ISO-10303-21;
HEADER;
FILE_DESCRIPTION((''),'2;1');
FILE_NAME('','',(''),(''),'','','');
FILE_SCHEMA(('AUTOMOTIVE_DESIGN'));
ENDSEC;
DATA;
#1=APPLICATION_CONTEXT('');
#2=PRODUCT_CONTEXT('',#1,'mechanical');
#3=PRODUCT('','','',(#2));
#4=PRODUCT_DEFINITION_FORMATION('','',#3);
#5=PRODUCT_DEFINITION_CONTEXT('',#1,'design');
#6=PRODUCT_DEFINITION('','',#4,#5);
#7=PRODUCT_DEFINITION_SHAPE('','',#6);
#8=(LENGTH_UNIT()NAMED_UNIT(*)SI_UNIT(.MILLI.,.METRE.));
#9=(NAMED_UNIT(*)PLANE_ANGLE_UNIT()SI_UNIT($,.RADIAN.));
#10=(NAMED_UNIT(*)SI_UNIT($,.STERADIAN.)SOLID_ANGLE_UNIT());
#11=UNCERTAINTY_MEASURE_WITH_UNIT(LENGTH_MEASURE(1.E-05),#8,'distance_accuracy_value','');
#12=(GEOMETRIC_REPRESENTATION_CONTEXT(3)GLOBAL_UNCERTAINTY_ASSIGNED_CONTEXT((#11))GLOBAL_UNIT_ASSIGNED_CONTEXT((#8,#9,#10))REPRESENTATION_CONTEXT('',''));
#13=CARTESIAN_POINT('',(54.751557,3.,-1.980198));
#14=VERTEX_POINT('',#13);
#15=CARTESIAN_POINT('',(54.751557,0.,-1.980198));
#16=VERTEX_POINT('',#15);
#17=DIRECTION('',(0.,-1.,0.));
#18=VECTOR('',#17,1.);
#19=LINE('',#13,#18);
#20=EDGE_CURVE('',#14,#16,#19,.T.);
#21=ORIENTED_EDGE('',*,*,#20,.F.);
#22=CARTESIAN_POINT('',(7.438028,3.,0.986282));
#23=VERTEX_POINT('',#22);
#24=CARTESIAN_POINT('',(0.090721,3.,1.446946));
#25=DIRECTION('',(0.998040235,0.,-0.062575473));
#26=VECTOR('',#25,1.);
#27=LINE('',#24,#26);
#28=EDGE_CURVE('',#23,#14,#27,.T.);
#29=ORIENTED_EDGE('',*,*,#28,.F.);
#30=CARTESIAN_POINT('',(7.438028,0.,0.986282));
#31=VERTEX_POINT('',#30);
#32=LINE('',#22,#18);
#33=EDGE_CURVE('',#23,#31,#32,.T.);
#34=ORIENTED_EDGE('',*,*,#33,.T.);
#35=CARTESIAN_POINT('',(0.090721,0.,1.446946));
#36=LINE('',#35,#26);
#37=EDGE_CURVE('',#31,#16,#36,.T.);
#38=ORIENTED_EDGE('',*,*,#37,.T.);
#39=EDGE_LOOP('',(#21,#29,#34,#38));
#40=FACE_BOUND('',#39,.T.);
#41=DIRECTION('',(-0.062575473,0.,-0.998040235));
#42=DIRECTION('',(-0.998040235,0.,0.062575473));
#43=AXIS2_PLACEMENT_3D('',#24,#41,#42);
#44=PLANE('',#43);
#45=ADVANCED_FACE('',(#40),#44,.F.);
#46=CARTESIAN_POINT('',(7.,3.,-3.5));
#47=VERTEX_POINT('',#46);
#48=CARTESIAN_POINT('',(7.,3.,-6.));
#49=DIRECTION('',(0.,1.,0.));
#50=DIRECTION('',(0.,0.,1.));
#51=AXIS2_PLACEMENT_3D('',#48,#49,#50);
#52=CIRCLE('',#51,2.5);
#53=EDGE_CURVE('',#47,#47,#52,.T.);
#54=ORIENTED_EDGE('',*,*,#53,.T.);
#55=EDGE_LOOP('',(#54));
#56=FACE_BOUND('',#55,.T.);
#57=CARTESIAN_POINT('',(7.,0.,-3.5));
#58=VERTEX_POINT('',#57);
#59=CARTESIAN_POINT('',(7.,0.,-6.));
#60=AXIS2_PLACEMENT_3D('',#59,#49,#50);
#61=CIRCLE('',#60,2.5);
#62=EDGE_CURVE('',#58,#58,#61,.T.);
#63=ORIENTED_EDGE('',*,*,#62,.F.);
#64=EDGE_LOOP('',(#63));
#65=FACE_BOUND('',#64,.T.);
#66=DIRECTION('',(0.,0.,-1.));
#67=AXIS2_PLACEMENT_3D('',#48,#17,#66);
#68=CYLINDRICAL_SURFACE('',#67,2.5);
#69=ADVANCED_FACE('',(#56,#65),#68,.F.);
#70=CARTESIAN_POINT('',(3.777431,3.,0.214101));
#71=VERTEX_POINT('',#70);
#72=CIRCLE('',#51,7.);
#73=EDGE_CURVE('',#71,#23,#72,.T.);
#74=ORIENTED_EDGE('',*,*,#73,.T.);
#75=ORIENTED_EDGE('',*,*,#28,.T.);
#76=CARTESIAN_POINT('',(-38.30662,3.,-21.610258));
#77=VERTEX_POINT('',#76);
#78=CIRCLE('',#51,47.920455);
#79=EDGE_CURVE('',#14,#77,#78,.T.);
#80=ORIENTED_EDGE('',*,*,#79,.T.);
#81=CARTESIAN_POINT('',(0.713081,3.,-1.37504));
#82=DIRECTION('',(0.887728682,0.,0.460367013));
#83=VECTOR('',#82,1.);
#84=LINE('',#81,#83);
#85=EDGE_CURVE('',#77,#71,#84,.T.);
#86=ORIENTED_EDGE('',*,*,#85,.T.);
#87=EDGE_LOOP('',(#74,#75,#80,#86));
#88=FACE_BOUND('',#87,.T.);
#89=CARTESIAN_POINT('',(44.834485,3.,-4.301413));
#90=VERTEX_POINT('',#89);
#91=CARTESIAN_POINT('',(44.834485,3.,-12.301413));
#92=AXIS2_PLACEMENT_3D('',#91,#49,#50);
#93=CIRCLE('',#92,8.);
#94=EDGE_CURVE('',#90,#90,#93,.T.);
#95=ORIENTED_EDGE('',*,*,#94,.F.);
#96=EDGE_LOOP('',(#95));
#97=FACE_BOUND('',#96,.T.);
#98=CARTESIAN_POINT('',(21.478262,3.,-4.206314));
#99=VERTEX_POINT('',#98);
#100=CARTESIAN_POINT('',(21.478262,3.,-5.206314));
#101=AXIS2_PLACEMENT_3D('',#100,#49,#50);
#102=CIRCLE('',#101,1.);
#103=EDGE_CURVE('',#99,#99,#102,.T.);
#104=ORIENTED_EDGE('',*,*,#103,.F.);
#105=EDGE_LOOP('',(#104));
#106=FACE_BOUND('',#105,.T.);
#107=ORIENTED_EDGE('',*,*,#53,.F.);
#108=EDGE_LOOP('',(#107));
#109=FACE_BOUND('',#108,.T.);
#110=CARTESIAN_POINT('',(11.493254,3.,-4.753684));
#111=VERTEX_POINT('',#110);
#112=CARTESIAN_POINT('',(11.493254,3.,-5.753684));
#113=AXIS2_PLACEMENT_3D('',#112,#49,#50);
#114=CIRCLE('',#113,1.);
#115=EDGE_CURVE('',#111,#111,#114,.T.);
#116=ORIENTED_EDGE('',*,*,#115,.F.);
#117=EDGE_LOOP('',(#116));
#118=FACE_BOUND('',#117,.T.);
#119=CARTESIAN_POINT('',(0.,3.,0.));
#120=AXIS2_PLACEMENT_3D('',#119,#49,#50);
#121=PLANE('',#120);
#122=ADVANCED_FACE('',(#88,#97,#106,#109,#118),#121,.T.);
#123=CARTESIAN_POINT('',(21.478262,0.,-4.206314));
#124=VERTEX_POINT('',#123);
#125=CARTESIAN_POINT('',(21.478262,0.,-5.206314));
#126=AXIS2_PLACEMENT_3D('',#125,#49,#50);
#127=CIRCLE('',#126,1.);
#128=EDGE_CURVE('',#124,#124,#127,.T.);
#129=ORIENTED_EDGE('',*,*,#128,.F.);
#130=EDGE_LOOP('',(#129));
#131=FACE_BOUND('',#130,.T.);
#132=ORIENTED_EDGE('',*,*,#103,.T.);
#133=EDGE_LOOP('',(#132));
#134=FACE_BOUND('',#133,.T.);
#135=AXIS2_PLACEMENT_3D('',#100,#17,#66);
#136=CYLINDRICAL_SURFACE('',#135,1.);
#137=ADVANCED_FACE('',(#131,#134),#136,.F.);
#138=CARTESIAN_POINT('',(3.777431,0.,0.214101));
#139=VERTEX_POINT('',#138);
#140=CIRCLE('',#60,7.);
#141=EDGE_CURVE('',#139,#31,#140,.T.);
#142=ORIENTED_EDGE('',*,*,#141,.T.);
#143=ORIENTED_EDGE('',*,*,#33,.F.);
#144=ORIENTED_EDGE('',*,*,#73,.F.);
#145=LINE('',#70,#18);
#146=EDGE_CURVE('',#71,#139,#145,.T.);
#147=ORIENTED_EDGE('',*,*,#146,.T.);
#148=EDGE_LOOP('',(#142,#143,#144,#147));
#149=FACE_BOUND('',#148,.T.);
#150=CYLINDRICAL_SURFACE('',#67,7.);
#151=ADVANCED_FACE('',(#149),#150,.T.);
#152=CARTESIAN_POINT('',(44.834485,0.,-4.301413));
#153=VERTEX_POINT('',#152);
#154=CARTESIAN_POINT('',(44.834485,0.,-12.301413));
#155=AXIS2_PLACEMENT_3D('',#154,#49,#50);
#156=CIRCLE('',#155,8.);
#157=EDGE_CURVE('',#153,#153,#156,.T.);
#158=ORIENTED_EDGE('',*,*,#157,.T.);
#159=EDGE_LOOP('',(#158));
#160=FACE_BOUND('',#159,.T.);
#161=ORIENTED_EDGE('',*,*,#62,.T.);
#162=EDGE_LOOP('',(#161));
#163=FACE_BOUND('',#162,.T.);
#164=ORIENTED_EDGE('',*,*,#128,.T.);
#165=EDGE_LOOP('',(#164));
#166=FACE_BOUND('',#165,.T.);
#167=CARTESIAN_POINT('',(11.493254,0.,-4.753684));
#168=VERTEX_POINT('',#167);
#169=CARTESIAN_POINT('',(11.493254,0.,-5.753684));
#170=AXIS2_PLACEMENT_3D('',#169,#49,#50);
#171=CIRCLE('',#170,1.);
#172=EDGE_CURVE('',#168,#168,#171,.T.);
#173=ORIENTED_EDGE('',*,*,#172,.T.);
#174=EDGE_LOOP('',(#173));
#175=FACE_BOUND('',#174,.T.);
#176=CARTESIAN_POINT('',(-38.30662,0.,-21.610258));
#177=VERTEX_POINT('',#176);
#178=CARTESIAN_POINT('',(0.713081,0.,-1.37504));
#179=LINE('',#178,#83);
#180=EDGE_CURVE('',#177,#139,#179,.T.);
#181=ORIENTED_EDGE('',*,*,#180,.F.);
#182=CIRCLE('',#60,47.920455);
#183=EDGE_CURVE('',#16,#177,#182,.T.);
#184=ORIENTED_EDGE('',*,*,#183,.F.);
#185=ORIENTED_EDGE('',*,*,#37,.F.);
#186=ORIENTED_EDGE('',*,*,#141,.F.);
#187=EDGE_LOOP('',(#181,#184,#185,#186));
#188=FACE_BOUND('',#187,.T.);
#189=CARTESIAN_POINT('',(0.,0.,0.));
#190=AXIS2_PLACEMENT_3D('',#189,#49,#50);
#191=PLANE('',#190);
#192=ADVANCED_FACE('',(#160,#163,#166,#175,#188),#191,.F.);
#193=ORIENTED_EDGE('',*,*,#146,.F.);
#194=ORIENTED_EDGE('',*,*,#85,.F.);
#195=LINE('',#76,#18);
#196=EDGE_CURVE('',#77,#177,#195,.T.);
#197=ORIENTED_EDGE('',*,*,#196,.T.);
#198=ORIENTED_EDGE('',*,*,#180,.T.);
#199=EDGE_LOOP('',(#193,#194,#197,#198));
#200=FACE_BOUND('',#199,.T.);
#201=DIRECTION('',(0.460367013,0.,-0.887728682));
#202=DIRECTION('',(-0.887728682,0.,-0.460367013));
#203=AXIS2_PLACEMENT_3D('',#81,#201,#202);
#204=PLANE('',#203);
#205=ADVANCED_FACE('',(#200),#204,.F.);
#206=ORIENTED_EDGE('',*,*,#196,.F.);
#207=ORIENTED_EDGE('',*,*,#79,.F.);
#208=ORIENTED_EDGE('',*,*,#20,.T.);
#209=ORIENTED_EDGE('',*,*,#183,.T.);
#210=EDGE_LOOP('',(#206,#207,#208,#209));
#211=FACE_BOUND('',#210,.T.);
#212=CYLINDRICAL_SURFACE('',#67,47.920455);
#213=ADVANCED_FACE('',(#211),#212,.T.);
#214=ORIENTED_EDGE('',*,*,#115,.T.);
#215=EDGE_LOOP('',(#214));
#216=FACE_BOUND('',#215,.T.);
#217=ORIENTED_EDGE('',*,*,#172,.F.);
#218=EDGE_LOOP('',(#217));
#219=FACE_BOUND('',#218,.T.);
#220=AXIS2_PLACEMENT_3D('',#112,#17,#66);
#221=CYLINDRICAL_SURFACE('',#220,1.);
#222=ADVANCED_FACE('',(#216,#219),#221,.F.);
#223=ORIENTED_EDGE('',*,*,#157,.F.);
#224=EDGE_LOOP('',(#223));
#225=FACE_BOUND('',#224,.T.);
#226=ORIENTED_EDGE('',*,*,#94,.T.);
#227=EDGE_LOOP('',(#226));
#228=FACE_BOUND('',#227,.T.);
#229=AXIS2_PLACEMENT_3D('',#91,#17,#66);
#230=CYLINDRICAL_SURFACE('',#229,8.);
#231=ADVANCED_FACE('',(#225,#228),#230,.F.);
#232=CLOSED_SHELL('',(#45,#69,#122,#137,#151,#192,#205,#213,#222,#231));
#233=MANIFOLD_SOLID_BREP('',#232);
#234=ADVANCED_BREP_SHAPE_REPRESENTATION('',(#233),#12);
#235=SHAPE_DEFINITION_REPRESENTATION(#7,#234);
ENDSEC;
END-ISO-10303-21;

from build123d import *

# Parameters (mm, degrees)
SKETCH1_R           = 8
SKETCH1_R_2         = 2.5
SKETCH1_R_3         = 1
BOSS_EXTRUDE1_DEPTH = 3


with BuildPart() as part:
    # Sketch1 → Boss-Extrude1 (new body)
    with BuildSketch(Plane(origin=(0, 0, 0), x_dir=(1, 0, 0), z_dir=(0, 1, 0))):
        with BuildLine():
            Line((-38.306620426, 21.610257702), (3.777430911, -0.214100777))
            ThreePointArc((3.777430911, -0.214100777), (5.555187673, -0.8492713), (7.438028309, -0.986281643))
            Line((7.438028309, -0.986281643), (54.75155699, 1.980198384))
            ThreePointArc((54.75155699, 1.980198384), (16.890866287, 52.888599511), (-38.306620426, 21.610257702))
        make_face()
        with Locations((44.834484792, 12.301412972)):
            Circle(SKETCH1_R, mode=Mode.SUBTRACT)
        with Locations((7, 6)):
            Circle(SKETCH1_R_2, mode=Mode.SUBTRACT)
        with Locations((21.478261726, 5.20631405)):
            Circle(SKETCH1_R_3, mode=Mode.SUBTRACT)
        with Locations((11.493253639, 5.753683671)):
            Circle(SKETCH1_R_3, mode=Mode.SUBTRACT)
    extrude(amount=BOSS_EXTRUDE1_DEPTH)


solid = part.part
